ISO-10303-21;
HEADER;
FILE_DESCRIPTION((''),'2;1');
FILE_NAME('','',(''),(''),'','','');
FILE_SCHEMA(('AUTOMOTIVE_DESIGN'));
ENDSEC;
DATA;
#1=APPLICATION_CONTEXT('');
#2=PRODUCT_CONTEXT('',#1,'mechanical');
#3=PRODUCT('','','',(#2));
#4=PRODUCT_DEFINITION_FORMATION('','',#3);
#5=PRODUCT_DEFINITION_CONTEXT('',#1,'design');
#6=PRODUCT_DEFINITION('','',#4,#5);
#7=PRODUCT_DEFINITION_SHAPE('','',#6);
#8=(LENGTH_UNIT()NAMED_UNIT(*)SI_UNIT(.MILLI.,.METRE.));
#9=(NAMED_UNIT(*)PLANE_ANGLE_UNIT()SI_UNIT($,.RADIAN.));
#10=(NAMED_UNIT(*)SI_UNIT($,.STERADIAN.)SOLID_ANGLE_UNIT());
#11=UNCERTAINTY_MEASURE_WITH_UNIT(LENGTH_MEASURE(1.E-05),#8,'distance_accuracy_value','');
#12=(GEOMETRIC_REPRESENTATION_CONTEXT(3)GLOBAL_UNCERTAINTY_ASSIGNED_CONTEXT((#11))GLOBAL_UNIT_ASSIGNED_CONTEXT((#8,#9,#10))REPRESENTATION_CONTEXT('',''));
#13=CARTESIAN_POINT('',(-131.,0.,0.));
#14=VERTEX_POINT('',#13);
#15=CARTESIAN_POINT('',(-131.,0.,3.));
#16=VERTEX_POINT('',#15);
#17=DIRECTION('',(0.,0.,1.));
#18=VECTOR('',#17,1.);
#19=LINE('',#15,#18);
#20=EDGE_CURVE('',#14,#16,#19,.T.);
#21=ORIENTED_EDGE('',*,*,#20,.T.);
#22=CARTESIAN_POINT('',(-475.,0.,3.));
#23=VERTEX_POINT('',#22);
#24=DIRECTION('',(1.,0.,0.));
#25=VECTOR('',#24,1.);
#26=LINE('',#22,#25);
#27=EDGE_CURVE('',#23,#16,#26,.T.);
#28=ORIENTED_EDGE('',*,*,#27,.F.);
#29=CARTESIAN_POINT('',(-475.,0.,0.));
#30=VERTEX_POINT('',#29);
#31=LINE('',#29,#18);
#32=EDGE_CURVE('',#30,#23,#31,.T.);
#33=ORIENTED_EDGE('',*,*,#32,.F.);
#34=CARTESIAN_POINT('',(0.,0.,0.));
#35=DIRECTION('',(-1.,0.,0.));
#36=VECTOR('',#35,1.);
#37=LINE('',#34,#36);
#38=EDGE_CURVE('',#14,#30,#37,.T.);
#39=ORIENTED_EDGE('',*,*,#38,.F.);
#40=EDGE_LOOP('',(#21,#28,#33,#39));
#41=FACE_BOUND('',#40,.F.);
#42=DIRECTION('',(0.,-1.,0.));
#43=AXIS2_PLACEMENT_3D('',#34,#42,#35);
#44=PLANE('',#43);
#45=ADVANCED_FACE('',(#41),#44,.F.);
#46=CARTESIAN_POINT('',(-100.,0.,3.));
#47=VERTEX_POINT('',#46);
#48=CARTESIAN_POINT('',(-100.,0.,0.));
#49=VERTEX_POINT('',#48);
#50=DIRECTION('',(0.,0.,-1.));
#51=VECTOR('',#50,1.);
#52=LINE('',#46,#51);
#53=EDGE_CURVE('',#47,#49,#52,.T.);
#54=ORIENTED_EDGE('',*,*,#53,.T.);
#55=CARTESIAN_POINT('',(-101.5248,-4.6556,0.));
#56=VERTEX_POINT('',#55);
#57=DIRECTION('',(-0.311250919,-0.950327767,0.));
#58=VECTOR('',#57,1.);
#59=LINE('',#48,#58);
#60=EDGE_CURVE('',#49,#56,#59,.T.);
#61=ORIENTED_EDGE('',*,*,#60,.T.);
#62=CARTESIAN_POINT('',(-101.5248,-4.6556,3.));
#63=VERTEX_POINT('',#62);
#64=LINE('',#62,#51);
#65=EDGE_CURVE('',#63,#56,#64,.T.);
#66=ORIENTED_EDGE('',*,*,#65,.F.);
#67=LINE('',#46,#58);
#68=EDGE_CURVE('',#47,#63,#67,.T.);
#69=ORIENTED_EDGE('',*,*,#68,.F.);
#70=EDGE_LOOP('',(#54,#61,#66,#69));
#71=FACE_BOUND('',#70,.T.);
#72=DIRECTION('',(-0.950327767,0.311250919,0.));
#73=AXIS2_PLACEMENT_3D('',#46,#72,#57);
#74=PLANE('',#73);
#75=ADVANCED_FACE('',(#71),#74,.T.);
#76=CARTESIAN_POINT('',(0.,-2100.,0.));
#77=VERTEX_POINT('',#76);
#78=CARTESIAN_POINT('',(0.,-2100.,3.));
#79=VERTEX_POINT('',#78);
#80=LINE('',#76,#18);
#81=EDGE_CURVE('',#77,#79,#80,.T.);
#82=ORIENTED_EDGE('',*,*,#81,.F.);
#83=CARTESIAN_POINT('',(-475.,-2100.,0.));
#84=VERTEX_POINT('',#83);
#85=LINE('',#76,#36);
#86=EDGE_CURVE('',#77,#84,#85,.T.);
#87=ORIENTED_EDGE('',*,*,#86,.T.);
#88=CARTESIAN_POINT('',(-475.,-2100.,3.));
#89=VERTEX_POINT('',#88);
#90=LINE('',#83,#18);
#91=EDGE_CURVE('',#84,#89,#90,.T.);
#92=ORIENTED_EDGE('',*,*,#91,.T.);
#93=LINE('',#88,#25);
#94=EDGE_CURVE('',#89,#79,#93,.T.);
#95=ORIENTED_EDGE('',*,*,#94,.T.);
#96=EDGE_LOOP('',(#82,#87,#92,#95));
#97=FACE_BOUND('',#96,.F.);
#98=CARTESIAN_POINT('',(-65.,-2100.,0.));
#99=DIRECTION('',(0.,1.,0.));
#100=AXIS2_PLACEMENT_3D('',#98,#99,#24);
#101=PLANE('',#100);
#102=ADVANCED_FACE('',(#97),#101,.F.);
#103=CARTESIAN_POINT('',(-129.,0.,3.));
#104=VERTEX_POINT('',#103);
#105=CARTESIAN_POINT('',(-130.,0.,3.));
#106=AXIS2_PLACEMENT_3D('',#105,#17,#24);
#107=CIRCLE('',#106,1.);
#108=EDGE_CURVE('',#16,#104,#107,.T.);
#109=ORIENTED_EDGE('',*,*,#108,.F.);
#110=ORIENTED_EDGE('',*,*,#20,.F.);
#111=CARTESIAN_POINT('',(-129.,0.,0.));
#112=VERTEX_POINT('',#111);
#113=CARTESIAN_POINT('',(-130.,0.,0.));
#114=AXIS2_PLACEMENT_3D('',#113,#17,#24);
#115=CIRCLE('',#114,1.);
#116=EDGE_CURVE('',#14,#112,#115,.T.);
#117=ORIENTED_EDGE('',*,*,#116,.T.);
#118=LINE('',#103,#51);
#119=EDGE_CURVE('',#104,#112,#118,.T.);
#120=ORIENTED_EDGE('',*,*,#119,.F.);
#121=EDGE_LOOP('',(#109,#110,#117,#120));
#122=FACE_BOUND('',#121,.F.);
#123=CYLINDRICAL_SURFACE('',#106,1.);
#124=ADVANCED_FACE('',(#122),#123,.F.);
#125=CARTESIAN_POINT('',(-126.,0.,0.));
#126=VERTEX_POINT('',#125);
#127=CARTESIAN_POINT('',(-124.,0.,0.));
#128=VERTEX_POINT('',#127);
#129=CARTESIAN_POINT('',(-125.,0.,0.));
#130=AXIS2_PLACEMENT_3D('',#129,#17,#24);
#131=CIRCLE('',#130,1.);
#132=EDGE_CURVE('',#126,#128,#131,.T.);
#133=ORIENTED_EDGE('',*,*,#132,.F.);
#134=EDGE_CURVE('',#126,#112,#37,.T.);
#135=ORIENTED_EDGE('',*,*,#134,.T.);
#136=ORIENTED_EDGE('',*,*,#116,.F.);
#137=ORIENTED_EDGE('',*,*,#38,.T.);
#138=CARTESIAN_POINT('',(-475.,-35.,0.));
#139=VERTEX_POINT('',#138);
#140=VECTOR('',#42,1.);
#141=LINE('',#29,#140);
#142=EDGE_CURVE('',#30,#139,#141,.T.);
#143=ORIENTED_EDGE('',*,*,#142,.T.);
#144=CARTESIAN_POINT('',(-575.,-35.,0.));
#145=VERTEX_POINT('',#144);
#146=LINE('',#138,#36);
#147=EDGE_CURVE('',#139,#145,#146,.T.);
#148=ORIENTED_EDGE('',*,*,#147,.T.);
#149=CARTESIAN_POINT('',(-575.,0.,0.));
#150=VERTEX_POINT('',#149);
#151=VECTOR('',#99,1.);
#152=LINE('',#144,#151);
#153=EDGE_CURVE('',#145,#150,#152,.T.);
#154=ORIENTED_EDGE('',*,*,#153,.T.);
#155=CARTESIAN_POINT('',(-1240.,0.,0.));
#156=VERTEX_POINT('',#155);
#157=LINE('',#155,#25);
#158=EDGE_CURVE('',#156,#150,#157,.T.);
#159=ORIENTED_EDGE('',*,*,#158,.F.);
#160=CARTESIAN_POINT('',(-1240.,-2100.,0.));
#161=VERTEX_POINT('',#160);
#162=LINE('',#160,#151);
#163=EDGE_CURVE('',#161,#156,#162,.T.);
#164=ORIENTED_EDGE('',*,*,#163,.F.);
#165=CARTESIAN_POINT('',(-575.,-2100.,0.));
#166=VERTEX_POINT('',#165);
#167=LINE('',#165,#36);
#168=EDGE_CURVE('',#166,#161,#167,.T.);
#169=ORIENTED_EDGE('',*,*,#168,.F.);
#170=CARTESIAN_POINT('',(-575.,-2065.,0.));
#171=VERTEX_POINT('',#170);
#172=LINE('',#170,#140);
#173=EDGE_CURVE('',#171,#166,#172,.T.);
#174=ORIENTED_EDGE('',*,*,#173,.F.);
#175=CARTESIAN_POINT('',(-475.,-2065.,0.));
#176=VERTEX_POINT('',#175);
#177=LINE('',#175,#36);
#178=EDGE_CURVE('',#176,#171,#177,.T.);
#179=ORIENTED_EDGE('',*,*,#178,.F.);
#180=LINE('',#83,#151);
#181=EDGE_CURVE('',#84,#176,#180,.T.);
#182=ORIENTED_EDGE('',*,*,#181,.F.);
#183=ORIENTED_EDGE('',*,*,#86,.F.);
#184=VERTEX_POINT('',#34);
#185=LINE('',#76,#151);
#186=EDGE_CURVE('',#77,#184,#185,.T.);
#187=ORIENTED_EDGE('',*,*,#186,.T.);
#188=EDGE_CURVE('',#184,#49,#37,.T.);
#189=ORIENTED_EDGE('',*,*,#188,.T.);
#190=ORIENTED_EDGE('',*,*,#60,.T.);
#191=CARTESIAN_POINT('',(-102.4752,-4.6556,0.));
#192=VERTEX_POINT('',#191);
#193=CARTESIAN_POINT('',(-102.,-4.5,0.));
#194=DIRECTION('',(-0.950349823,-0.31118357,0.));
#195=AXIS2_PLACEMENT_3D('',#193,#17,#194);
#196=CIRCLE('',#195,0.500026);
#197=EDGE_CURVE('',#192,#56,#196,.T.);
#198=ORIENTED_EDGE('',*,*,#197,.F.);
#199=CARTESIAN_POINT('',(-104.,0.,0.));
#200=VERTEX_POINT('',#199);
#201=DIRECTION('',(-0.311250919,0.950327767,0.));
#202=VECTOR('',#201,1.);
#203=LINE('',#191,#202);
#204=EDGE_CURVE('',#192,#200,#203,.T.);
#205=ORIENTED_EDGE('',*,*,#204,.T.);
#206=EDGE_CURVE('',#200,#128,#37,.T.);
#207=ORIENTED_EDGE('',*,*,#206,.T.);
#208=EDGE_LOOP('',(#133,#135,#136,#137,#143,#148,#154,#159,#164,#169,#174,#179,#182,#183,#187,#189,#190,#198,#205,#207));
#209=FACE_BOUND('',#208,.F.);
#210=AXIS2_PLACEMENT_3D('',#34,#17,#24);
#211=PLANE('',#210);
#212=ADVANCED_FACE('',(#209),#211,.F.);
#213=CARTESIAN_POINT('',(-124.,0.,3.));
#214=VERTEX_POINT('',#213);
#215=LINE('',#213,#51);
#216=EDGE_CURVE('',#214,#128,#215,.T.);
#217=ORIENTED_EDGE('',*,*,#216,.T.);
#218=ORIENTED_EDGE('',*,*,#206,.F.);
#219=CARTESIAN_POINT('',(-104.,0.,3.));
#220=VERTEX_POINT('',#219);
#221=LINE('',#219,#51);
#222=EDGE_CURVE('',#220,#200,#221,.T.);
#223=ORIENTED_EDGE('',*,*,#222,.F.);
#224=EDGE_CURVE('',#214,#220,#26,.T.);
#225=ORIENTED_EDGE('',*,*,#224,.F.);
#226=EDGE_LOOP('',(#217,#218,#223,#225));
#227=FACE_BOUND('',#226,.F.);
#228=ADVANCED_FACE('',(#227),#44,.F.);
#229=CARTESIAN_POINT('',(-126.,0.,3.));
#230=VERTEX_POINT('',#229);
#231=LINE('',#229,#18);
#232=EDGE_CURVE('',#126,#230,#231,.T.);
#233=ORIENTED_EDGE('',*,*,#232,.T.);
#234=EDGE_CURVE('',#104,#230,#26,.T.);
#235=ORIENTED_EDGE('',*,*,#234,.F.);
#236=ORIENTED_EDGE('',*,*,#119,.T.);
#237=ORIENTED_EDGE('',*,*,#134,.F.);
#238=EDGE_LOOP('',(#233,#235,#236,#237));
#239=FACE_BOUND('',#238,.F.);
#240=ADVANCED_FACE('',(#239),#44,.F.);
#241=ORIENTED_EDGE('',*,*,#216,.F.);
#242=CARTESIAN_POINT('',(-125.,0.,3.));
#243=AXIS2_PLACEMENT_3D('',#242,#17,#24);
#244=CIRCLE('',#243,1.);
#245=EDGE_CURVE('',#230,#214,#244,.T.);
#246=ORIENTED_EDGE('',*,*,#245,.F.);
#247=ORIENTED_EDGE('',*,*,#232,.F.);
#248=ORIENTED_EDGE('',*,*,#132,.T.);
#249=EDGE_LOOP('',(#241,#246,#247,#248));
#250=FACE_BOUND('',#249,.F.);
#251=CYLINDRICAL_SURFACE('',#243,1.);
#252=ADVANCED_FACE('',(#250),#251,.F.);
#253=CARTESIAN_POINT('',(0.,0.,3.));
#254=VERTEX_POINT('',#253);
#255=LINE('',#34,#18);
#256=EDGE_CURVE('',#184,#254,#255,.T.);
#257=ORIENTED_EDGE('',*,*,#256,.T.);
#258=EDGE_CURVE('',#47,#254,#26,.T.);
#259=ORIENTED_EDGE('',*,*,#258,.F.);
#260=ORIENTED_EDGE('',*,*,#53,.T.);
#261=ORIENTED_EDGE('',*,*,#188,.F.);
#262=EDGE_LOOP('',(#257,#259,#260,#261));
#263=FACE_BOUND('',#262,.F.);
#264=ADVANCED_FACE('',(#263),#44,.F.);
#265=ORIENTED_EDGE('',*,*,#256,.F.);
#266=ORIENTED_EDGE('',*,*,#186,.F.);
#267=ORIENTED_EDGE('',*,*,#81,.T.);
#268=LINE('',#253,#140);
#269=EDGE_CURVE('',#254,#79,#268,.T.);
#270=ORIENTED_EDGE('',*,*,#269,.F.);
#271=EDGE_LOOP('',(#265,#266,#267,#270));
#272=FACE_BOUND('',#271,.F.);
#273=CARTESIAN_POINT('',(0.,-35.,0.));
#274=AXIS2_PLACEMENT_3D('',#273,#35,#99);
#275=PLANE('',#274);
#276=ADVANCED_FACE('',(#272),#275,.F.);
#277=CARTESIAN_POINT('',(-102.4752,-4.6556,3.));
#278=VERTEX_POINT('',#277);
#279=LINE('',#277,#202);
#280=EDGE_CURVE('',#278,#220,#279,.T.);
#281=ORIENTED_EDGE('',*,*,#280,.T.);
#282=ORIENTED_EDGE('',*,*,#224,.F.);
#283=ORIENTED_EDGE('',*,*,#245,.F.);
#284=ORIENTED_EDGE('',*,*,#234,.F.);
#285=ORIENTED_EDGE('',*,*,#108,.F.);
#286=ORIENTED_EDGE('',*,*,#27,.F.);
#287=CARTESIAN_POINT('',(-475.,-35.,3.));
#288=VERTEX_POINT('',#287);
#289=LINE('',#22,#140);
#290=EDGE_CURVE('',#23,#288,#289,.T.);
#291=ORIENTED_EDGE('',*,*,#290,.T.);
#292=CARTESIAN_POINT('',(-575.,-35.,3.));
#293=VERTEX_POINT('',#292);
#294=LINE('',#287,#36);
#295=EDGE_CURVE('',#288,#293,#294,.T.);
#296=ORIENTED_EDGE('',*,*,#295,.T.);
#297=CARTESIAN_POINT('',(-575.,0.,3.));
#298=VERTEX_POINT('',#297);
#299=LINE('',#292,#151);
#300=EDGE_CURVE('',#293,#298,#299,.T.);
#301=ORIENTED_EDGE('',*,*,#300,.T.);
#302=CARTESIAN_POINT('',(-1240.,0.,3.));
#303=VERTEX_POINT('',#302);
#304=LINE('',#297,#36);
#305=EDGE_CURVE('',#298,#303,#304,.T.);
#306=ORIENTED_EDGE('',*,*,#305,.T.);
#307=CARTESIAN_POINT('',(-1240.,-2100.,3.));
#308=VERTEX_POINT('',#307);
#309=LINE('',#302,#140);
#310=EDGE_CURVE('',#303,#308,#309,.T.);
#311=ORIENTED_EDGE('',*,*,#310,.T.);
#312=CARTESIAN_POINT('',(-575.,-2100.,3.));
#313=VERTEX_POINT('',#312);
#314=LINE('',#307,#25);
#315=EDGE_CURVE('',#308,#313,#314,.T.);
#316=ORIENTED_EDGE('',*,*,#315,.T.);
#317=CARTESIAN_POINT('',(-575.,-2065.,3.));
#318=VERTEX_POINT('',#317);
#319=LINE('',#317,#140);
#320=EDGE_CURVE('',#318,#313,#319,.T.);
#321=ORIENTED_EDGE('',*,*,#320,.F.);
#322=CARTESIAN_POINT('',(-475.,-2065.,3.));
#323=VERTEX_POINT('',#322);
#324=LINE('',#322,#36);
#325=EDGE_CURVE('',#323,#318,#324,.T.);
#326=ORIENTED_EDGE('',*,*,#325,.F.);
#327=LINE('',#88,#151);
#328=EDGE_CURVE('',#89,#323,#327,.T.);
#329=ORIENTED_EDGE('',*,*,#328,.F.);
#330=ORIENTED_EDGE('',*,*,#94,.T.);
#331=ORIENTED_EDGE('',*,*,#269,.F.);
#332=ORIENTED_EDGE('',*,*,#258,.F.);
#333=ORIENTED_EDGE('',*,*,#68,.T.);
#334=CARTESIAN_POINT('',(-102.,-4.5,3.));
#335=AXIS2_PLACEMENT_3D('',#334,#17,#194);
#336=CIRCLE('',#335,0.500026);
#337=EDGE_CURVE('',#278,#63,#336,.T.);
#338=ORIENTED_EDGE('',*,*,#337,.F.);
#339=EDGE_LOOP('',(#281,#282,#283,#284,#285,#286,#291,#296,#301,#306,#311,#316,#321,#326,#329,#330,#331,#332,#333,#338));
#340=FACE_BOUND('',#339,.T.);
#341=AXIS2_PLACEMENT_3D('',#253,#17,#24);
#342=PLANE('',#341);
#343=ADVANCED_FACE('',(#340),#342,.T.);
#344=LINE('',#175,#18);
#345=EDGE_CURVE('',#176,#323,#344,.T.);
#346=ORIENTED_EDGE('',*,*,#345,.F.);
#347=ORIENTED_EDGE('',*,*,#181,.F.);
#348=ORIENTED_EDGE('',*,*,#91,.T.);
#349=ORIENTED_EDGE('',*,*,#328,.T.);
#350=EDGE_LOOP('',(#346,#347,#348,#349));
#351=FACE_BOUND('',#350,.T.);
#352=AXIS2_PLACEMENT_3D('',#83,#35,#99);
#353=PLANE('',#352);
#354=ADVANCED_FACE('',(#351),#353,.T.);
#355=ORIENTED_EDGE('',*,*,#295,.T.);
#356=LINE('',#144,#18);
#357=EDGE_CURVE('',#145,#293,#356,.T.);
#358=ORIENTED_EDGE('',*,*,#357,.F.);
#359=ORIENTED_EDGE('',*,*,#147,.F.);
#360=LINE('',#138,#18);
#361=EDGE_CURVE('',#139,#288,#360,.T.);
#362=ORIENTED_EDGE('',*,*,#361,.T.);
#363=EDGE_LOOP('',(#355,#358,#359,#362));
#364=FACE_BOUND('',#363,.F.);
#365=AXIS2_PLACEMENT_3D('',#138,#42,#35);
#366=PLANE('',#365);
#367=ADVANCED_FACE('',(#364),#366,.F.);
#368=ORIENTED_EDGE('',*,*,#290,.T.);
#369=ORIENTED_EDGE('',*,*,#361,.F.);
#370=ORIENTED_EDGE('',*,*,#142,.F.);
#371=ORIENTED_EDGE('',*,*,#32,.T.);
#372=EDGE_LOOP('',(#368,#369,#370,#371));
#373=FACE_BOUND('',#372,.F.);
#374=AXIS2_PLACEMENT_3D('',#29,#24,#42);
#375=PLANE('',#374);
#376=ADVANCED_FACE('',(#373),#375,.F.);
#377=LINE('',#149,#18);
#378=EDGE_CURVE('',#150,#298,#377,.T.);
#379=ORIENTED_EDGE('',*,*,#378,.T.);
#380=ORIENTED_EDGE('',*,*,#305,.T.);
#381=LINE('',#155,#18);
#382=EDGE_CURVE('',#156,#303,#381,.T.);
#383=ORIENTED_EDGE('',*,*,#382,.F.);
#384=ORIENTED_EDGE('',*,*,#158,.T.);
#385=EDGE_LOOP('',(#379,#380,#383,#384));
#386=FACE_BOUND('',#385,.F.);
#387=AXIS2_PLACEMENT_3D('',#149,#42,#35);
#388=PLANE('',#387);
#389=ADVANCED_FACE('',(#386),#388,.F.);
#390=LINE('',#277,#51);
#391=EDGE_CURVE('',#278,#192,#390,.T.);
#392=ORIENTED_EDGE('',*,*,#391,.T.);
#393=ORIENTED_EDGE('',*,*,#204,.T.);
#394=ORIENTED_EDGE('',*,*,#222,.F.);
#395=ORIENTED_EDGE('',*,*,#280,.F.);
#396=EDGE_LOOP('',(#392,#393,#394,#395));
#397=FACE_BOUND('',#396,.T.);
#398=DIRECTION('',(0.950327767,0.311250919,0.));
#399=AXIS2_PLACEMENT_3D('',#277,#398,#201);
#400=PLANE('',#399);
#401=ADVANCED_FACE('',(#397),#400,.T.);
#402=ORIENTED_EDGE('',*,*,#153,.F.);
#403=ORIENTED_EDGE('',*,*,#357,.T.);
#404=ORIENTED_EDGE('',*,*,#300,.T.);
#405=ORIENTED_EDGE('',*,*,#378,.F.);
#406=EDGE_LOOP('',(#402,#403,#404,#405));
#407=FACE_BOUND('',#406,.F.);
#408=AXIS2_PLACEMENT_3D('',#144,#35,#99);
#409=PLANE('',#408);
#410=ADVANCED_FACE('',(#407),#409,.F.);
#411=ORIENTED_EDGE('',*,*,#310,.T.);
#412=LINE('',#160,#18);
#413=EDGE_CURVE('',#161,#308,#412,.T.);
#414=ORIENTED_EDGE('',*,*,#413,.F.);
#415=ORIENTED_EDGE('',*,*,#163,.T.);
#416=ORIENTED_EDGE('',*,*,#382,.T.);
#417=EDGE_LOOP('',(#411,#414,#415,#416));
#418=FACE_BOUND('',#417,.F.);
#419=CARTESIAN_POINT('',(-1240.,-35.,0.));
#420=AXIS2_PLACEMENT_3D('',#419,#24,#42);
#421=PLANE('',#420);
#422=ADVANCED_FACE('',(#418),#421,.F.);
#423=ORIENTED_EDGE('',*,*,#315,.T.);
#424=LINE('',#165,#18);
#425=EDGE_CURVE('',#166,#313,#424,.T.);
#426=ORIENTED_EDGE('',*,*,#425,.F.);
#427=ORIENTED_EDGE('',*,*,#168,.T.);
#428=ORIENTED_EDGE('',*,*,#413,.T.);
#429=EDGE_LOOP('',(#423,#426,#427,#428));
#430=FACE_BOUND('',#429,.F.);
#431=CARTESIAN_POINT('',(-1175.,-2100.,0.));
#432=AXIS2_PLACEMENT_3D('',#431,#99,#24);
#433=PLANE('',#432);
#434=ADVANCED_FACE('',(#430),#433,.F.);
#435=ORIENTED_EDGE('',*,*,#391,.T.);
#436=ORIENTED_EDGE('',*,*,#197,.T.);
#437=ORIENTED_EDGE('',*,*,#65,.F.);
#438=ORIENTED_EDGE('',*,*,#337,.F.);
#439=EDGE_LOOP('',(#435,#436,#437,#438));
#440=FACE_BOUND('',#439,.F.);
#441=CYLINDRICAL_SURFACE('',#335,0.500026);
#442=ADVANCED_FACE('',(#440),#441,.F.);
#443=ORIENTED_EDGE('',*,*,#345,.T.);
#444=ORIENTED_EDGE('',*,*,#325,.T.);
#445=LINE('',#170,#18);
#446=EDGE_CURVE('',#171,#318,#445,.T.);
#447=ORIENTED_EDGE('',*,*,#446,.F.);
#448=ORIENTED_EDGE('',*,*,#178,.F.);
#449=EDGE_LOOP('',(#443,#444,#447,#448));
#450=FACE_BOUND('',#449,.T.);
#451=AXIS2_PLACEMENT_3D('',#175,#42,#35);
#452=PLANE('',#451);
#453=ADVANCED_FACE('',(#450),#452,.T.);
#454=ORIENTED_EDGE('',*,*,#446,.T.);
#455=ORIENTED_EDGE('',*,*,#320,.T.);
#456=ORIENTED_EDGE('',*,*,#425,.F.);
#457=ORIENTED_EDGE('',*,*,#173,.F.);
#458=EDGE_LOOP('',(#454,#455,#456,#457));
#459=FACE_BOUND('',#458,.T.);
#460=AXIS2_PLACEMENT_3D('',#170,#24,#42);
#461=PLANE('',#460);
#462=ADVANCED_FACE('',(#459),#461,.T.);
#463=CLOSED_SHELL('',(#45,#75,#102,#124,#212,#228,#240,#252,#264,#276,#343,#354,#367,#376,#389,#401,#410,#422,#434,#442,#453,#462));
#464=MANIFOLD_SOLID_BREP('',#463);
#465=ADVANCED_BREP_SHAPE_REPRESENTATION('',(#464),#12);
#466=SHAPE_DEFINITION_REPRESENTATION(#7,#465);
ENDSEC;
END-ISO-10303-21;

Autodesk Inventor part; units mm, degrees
ref_plane "YZ Plane" through (0, 0, 0) normal (1, 0, 0) x (0, 1, 0)
ref_plane "XZ Plane" through (0, 0, 0) normal (0, 1, 0) x (-1, 0, 0)
ref_plane "XY Plane" through (0, 0, 0) normal (0, 0, 1) x (1, 0, 0)
sketch "Sketch1" plane through (0, 0, 0) normal (0, 0, 1) x (1, 0, 0)
  line L0 (0, 0) -> (-1240, 0)
  line L1 (-1240, 0) -> (-1240, -2100)
  line L2 (-1240, -2100) -> (0, -2100)
  line L3 (0, -2100) -> (0, 0)
  line L4 (0, 0) -> (-65, 0)
  line L5 (-65, 0) -> (-65, -35)
  line L6 (-65, -35) -> (0, -35)
  line L7 (0, -35) -> (0, 0)
  line L8 (0, -2100) -> (-65, -2100)
  line L9 (-65, -2100) -> (-65, -2065)
  line L10 (-65, -2065) -> (0, -2065)
  line L11 (0, -2065) -> (0, -2100)
  line L12 (-1240, 0) -> (-1175, 0)
  line L13 (-1175, 0) -> (-1175, -35)
  line L14 (-1175, -35) -> (-1240, -35)
  line L15 (-1240, -35) -> (-1240, 0)
  line L16 (-1240, -2100) -> (-1175, -2100)
  line L17 (-1175, -2100) -> (-1175, -2065)
  line L18 (-1175, -2065) -> (-1240, -2065)
  line L19 (-1240, -2065) -> (-1240, -2100)
  line L20 (-575, -2100) -> (-475, -2100)
  line L21 (-475, -2100) -> (-475, -2065)
  line L22 (-475, -2065) -> (-575, -2065)
  line L23 (-575, -2065) -> (-575, -2100)
  line L24 (-575, 0) -> (-475, 0)
  line L25 (-475, 0) -> (-475, -35)
  line L26 (-475, -35) -> (-575, -35)
  line L27 (-575, -35) -> (-575, 0)
  point P0 (0, -35)
  point P1 (-65, 0)
  point P2 (-65, -2100)
  point P3 (0, -2065)
  point P4 (-475, -2100)
  point P5 (-475, 0)
  point P6 (-1175, 0)
  point P7 (-1175, -2100)
  dimension "d22" = 1240
  dimension "d23" = 2100
  dimension "d24" = 65
  dimension "d25" = 35
  dimension "d28" = 100
  dimension "d29" = 410
extrude "Plate1" add sketch "Sketch1" along normal blind 3 contours L3 L6 L5 L0 | L5 L6 L3 L10 L9 L2 L21 L22 L23 L17 L18 L1 L14 L13 L0 L27 L26 L25 | L3 L2 L9 L10 | L13 L14 L1 L0 | L18 L17 L2 L1
sketch "Sketch5" plane through (0, 0, 3) normal (0, 0, 1) x (1, 0, 0)
  line L0 (0, 0) -> (-100, 0) construction
  line L1 (-100, 0) -> (-100, -2) construction
  line L2 (-100, -2) -> (0, -2) construction
  line L3 (0, -2) -> (0, 0) construction
  line L4 (-100, 0) -> (-101.5248, -4.6556)
  arc A0 (-102.4752, -4.6556) -> (-101.5248, -4.6556) centre (-102, -4.5) ccw
  line L5 (-102.4752, -4.6556) -> (-104, 0)
  line L6 (-104, 0) -> (-100, 0)
  line L7 (-104, 0) -> (-106, 0) construction
  line L8 (-106, 0) -> (-108, 0)
  line L9 (-108, 0) -> (-108, -5)
  line L10 (-108, -5) -> (-106, -5)
  line L11 (-106, -5) -> (-106, 0)
  line L12 (-108, 0) -> (-110, 0) construction
  line L13 (-110, 0) -> (-112, 0)
  line L14 (-112, 0) -> (-112, -5)
  line L15 (-112, -5) -> (-110, -5)
  line L16 (-110, -5) -> (-110, 0)
  line L17 (-112, 0) -> (-114, 0) construction
  line L18 (-114, 0) -> (-116, 0)
  line L19 (-116, 0) -> (-116, -5)
  line L20 (-116, -5) -> (-114, -5)
  line L21 (-114, -5) -> (-114, 0)
  line L22 (-116, 0) -> (-118, 0) construction
  line L23 (-118, 0) -> (-120, 0)
  line L24 (-120, 0) -> (-120, -5)
  line L25 (-120, -5) -> (-118, -5)
  line L26 (-118, -5) -> (-118, 0)
  line L27 (-120, 0) -> (-125, 0) construction
  line L28 (-125, 0) -> (-130, 0) construction
  circle A1 centre (-125, 0) radius 1
  circle A2 centre (-130, 0) radius 1
  point P0 (0, 0)
  point P1 (-102, 0)
  dimension "d30" = 100
  dimension "d31" = 2
  dimension "d32" = 5
  dimension "d33" = 4
  dimension "d34" = 0.5
  dimension "d35" = 5
  dimension "d36" = 5
  dimension "d37" = 5
  dimension "d38" = 2
extrude "Cut1" cut sketch "Sketch5" against normal blind 3 contours L4 A0 L5 L6 | A1 | A2
equation "\"d33\" = 2 * d31"
equation "\"d34\" = 0.25 * d31"
equation "\"d38\" = d31"
equation "\"d39\" = Thickness"
equation "\"d2\" = Thickness"
equation "\"BendReliefWidth\" = Thickness"
equation "\"BendReliefDepth\" = 0.5 * Thickness"
equation "\"CornerReliefSize\" = 4 * Thickness"
equation "\"MinimumRemnant\" = 2 * Thickness"
equation "\"TransitionRadius\" = BendRadius"
equation "\"JacobiRadiusSize\" = BendRadius"
equation "\"GapSize\" = Thickness"
equation "\"Thickness\" = 3"
equation "\"BendRadius\" = 5"
properties part number "GnG frame 2 floor sheet 8" material "Stainless Steel"
